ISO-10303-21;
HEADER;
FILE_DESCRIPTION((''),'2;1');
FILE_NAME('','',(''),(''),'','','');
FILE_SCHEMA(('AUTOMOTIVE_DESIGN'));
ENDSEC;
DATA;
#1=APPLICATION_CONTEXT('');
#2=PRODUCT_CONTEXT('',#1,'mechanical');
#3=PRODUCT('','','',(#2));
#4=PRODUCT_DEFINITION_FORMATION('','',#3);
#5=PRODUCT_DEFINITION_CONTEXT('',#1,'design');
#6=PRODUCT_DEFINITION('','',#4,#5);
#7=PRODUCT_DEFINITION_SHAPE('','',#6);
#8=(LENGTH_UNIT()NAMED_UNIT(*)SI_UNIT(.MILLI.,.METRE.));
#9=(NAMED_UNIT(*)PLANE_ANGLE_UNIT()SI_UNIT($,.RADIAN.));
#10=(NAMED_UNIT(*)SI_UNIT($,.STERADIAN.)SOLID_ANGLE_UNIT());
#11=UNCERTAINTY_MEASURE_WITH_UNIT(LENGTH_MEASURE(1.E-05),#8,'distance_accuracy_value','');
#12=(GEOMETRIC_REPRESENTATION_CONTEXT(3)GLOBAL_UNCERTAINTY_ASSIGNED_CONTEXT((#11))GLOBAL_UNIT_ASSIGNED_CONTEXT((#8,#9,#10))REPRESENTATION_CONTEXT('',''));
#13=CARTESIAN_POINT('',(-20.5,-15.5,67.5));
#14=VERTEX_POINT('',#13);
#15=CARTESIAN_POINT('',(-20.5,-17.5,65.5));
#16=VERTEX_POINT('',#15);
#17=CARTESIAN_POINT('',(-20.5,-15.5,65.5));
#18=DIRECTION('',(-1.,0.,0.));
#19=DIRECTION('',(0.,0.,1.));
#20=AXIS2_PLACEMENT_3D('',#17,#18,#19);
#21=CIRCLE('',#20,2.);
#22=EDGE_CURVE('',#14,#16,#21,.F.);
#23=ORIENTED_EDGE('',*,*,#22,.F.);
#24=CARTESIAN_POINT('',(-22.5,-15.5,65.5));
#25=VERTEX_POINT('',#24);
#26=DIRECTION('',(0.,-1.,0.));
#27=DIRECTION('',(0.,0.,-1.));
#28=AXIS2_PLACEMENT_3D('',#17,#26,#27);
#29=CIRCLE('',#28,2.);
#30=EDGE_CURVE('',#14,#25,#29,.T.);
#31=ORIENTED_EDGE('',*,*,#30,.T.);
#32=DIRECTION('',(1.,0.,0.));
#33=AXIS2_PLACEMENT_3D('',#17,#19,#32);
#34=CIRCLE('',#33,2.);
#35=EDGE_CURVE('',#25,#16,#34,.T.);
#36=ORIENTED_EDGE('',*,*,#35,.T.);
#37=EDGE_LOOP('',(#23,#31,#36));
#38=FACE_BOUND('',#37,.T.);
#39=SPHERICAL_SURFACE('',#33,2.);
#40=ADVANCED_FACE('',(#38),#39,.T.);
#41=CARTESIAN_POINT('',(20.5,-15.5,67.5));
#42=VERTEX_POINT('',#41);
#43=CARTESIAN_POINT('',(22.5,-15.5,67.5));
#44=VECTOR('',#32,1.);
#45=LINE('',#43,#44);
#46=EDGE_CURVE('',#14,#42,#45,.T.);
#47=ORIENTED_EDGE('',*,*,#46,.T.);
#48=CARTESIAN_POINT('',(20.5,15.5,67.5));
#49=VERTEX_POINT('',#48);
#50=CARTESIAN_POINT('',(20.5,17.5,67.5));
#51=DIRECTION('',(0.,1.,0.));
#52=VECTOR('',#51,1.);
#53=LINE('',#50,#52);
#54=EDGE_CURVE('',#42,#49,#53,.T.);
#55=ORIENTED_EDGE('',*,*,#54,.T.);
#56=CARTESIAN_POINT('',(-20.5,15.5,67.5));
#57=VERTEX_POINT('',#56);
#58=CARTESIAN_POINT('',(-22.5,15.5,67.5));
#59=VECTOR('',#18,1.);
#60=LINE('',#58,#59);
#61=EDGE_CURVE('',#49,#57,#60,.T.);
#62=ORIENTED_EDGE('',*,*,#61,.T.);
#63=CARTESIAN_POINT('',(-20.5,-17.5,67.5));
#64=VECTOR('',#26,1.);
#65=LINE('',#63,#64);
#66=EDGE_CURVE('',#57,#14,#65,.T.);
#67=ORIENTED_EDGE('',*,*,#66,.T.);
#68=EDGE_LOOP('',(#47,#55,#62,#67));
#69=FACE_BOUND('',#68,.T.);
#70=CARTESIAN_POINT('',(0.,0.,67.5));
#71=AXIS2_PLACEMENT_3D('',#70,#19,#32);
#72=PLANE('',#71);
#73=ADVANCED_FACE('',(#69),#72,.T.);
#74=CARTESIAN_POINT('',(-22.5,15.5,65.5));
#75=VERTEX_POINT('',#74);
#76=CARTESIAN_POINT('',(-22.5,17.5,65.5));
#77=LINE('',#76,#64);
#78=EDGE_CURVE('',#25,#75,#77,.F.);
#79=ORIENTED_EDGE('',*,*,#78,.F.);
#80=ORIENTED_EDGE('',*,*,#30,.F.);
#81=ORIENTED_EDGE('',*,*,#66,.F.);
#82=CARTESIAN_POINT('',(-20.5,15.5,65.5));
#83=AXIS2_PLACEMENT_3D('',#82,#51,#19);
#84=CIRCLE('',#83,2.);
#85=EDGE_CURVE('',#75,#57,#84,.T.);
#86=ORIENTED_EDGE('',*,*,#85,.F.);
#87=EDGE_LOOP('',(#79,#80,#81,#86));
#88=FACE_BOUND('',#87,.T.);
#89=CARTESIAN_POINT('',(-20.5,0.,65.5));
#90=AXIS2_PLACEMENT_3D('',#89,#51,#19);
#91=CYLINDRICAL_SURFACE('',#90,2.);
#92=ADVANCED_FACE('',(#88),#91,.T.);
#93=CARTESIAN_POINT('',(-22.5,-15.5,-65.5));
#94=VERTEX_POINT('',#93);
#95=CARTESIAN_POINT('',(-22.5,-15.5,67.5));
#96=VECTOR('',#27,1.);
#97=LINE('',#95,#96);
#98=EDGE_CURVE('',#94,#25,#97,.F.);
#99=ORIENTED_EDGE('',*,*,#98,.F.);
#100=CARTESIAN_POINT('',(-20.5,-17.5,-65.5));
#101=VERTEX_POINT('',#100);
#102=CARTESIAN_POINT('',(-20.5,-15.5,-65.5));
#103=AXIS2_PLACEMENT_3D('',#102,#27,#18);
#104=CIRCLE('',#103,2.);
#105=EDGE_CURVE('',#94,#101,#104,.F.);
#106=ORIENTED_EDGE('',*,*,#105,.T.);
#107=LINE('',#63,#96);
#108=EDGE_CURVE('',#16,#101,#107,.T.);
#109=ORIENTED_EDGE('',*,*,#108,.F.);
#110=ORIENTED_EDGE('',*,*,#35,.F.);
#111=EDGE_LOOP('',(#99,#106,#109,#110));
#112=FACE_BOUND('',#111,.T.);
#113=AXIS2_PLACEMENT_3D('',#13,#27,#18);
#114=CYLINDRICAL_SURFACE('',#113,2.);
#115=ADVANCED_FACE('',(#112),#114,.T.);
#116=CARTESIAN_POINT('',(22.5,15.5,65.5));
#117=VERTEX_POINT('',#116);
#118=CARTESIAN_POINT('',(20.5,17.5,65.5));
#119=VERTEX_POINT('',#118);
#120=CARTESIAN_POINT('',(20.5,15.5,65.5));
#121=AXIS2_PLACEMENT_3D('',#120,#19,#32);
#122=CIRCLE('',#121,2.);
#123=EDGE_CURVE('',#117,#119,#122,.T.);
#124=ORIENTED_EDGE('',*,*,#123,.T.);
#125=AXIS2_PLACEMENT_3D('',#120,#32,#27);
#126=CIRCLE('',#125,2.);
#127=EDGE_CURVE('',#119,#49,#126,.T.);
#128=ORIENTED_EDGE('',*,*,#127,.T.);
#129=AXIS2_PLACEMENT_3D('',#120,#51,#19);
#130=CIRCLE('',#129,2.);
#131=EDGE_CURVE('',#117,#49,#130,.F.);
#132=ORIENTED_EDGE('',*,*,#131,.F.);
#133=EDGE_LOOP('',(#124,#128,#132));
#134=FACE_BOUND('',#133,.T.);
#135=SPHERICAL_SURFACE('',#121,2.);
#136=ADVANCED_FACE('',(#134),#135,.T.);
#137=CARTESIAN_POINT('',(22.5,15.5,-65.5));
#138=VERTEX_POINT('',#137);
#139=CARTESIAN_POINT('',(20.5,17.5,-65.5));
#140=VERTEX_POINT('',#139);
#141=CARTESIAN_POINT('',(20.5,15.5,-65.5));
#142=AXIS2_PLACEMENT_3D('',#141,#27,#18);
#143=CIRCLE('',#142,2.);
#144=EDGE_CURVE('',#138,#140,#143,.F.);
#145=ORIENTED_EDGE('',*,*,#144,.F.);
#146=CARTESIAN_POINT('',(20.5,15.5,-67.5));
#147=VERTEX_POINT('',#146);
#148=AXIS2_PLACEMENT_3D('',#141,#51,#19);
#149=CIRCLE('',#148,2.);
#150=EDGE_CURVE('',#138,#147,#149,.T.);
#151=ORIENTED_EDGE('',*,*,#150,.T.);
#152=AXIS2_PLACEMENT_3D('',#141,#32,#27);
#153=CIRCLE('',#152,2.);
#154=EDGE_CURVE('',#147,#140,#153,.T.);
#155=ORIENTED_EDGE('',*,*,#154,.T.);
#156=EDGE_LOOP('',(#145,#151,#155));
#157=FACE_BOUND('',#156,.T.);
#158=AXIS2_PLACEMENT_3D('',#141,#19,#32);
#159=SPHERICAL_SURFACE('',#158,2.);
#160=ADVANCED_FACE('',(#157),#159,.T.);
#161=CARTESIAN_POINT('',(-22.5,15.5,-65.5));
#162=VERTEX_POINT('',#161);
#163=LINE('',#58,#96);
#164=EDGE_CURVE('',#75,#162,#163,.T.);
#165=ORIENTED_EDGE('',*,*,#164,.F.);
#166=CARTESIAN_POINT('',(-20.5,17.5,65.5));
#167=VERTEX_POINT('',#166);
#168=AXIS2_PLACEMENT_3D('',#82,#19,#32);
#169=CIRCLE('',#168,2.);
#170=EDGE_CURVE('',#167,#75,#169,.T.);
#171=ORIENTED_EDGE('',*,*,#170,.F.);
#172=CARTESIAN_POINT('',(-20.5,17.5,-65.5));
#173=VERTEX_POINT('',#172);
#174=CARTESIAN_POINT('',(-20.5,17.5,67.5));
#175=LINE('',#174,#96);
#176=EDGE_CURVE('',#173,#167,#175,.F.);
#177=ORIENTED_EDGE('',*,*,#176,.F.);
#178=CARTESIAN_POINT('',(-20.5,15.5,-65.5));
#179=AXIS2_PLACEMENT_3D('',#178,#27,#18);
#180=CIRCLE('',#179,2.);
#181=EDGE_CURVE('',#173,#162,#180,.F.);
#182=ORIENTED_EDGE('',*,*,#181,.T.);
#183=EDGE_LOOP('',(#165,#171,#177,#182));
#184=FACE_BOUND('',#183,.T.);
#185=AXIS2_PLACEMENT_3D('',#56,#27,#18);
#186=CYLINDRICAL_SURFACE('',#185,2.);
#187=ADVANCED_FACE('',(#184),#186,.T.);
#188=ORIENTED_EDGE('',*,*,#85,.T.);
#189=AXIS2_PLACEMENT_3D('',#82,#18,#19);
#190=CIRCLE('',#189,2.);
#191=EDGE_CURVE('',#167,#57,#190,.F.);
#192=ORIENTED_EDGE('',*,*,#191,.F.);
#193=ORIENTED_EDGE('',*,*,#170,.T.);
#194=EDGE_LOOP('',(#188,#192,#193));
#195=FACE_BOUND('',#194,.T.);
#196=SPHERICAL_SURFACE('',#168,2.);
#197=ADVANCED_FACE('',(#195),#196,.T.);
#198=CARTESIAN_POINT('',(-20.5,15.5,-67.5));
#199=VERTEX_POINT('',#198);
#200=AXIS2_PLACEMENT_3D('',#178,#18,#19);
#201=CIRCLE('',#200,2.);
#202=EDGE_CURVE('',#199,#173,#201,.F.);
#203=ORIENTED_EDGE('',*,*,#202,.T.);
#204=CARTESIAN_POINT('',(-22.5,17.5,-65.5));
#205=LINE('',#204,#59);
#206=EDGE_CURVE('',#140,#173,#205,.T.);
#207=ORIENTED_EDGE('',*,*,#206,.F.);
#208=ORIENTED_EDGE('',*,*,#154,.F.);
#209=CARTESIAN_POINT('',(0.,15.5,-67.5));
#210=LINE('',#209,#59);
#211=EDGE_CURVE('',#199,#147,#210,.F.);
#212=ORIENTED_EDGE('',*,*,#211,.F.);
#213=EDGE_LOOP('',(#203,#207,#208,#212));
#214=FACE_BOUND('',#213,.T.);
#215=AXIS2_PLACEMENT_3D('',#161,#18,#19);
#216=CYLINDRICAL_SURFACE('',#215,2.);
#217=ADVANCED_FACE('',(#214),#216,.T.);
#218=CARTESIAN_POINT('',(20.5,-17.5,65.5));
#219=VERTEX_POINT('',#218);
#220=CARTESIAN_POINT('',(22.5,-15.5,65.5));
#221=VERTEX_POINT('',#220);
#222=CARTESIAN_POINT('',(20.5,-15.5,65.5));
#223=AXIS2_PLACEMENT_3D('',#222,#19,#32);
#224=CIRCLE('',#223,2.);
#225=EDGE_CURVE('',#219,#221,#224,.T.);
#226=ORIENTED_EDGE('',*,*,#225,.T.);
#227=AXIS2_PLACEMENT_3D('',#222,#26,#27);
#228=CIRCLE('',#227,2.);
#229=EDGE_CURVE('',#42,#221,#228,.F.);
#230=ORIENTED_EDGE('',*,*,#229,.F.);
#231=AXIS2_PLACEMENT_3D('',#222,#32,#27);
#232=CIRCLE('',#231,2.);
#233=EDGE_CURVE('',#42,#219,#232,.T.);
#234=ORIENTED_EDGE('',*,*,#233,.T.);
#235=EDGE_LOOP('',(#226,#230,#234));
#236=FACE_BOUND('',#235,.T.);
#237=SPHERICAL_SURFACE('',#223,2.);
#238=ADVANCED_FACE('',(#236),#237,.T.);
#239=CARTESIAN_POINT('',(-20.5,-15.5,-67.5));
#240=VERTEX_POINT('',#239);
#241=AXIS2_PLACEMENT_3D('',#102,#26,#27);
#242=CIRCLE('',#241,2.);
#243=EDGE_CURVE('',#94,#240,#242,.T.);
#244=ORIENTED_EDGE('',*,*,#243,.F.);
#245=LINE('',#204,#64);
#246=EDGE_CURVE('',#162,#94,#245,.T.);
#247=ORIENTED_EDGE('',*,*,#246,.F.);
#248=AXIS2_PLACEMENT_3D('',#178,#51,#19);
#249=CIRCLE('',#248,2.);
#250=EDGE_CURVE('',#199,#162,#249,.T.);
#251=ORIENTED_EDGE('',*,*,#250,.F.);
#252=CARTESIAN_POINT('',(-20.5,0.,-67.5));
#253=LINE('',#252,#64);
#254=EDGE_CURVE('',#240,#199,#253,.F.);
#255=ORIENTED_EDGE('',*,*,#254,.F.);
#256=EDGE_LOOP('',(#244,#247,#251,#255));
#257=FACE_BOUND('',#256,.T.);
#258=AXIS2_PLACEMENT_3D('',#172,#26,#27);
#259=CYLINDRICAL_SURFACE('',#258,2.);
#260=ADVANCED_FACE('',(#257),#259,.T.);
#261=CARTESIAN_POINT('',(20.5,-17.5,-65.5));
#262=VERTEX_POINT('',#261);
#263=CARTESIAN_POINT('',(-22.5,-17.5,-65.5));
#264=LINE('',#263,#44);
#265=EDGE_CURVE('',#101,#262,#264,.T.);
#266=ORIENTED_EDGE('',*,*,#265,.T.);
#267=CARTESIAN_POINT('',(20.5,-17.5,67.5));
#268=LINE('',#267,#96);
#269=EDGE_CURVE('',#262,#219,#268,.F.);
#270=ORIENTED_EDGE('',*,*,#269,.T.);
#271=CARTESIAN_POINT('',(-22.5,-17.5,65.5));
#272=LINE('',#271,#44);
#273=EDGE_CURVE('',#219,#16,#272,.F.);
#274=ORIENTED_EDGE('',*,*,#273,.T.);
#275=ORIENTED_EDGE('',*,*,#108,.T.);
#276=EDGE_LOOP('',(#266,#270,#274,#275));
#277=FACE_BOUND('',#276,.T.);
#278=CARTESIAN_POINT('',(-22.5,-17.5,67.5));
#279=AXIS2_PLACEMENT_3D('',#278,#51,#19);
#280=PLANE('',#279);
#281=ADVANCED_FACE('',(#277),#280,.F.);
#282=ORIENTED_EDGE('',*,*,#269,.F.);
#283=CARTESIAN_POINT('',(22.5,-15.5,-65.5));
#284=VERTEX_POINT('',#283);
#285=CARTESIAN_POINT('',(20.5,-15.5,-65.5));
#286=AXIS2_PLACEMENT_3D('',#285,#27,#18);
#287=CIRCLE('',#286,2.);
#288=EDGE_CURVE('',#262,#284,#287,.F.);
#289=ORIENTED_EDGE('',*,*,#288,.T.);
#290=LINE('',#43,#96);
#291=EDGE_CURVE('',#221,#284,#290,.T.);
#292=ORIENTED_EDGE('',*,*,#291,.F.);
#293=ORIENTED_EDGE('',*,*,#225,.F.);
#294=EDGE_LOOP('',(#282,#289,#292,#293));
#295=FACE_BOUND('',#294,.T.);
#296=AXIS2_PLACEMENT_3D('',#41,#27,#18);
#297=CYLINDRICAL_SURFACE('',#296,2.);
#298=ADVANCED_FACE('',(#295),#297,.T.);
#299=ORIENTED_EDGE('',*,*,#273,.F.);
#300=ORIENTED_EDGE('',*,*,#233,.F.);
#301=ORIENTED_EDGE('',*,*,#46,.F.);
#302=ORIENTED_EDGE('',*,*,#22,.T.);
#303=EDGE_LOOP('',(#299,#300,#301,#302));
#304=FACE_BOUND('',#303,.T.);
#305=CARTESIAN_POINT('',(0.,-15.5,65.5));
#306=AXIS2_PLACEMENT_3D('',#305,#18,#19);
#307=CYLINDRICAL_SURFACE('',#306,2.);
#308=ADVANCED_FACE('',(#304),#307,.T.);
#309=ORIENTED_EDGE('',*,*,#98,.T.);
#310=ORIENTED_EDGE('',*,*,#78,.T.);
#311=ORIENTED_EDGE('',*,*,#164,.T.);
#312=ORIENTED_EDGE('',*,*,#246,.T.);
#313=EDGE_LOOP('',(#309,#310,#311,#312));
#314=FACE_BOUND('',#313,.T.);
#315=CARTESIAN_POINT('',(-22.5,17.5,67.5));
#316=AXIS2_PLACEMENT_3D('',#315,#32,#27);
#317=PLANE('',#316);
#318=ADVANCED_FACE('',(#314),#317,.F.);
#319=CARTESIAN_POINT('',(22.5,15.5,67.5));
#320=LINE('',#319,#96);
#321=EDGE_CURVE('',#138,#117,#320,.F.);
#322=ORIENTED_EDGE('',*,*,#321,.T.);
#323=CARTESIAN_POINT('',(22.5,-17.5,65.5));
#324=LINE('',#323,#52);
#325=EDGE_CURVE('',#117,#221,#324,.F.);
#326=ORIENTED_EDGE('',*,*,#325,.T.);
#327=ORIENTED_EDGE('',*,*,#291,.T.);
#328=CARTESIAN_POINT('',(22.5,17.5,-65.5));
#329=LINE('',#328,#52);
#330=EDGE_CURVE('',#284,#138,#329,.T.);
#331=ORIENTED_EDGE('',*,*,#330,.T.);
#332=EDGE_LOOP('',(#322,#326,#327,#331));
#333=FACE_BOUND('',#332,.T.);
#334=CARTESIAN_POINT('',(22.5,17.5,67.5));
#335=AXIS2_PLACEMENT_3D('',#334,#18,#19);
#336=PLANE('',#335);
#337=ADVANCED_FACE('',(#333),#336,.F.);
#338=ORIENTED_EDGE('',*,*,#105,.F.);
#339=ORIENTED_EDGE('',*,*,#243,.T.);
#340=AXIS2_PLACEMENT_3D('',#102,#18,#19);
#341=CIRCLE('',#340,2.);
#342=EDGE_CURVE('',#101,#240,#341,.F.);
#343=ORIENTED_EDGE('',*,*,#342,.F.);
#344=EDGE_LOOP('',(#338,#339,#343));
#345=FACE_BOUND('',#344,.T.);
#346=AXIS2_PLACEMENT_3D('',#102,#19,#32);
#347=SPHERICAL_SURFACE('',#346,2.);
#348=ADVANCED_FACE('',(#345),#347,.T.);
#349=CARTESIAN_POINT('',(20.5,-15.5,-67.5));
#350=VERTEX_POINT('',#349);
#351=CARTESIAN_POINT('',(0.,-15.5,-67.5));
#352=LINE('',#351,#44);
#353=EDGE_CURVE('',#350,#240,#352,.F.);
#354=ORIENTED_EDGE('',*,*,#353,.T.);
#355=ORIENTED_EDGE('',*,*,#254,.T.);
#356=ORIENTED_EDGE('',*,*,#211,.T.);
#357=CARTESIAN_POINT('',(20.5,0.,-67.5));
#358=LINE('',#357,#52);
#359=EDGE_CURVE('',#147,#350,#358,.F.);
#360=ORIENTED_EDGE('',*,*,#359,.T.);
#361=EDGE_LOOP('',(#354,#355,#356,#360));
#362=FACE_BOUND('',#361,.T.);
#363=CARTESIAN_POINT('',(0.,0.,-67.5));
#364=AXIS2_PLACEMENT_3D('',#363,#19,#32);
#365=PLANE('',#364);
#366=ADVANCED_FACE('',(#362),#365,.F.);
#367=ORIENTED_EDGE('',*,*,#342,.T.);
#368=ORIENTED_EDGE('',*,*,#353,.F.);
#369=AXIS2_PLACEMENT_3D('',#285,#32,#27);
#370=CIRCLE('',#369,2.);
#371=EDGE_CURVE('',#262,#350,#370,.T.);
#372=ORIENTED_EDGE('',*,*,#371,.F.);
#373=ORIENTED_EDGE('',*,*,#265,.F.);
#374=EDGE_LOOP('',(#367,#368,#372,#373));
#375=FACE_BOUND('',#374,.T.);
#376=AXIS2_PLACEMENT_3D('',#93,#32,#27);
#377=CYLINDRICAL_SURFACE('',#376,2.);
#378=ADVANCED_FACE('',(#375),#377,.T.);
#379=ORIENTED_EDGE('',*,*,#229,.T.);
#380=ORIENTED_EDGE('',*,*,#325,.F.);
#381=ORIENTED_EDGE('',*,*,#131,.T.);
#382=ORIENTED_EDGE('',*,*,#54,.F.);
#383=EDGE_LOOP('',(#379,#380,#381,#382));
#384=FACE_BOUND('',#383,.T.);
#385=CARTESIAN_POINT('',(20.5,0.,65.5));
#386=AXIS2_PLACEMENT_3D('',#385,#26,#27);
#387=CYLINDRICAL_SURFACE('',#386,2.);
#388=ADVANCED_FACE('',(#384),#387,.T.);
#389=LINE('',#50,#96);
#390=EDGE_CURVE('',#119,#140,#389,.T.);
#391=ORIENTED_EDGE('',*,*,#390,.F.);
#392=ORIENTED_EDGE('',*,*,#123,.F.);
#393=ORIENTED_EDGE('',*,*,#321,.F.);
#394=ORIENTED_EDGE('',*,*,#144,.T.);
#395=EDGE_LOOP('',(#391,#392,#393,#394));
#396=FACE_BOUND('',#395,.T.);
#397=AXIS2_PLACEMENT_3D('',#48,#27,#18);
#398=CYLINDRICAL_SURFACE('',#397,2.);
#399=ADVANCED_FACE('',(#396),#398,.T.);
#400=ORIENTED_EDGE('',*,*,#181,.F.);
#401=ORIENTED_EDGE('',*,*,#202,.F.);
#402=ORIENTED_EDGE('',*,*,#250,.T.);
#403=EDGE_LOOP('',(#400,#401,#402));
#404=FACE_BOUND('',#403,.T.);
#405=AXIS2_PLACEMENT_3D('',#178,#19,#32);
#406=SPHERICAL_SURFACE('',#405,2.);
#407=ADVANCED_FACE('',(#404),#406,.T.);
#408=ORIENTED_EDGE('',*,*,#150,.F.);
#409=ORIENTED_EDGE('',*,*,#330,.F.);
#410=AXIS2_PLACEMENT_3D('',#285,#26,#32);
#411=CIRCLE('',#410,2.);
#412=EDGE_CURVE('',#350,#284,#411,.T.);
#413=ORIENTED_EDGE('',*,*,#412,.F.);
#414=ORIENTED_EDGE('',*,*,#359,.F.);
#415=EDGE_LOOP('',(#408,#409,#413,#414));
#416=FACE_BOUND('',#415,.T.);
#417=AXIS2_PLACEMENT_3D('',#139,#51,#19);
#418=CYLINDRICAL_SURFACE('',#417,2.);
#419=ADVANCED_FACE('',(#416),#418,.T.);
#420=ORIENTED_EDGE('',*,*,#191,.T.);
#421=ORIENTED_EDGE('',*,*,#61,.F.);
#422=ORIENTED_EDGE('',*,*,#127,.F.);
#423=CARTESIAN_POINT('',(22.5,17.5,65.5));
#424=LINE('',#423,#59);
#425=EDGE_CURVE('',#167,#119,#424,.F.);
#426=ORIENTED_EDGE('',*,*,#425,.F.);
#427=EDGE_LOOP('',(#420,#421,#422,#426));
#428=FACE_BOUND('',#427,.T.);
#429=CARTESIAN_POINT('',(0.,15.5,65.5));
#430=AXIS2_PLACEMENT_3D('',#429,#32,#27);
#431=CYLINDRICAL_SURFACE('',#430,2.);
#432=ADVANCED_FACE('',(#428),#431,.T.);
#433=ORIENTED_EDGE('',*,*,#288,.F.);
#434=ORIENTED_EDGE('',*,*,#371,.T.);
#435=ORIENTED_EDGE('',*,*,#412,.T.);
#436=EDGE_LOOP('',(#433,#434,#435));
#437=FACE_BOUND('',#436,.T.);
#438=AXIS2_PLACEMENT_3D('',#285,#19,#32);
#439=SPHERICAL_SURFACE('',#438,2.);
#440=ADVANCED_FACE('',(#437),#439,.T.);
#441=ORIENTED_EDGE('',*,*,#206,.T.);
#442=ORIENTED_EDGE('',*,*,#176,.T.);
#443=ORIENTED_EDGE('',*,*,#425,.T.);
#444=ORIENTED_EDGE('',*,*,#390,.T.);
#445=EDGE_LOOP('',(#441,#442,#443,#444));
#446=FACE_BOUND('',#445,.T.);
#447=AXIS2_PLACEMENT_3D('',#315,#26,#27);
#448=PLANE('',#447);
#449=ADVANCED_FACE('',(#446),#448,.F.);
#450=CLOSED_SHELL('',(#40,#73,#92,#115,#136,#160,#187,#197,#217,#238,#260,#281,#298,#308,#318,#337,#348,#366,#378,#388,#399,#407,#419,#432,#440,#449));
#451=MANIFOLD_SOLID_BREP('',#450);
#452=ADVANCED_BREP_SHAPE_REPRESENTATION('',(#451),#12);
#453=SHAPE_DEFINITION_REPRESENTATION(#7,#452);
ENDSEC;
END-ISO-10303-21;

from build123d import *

# Parameters (mm, degrees)
SKETCH1_W           = 45
SKETCH1_H           = 35
BOSS_EXTRUDE1_DEPTH = 67.5
FILLET1_R           = 2


with BuildPart() as part:
    # Sketch1 → Boss-Extrude1 (new, symmetric)
    with BuildSketch(Plane.XY):
        Rectangle(SKETCH1_W, SKETCH1_H)
    extrude(amount=BOSS_EXTRUDE1_DEPTH, both=True)

    # Fillet1
    fillet1_edges = [part.edges().sort_by_distance(p)[0] for p in [
        (-22.5, 0, 67.5),
        (0, -17.5, 67.5),
        (22.5, 0, 67.5),
        (0, -17.5, -67.5),
        (-22.5, 0, -67.5),
        (0, 17.5, -67.5),
        (22.5, 0, -67.5),
        (22.5, -17.5, 0),
        (-22.5, -17.5, 0),
        (-22.5, 17.5, 0),
        (22.5, 17.5, 0),
        (0, 17.5, 67.5),
    ]]
    fillet(fillet1_edges, radius=FILLET1_R)


solid = part.part
